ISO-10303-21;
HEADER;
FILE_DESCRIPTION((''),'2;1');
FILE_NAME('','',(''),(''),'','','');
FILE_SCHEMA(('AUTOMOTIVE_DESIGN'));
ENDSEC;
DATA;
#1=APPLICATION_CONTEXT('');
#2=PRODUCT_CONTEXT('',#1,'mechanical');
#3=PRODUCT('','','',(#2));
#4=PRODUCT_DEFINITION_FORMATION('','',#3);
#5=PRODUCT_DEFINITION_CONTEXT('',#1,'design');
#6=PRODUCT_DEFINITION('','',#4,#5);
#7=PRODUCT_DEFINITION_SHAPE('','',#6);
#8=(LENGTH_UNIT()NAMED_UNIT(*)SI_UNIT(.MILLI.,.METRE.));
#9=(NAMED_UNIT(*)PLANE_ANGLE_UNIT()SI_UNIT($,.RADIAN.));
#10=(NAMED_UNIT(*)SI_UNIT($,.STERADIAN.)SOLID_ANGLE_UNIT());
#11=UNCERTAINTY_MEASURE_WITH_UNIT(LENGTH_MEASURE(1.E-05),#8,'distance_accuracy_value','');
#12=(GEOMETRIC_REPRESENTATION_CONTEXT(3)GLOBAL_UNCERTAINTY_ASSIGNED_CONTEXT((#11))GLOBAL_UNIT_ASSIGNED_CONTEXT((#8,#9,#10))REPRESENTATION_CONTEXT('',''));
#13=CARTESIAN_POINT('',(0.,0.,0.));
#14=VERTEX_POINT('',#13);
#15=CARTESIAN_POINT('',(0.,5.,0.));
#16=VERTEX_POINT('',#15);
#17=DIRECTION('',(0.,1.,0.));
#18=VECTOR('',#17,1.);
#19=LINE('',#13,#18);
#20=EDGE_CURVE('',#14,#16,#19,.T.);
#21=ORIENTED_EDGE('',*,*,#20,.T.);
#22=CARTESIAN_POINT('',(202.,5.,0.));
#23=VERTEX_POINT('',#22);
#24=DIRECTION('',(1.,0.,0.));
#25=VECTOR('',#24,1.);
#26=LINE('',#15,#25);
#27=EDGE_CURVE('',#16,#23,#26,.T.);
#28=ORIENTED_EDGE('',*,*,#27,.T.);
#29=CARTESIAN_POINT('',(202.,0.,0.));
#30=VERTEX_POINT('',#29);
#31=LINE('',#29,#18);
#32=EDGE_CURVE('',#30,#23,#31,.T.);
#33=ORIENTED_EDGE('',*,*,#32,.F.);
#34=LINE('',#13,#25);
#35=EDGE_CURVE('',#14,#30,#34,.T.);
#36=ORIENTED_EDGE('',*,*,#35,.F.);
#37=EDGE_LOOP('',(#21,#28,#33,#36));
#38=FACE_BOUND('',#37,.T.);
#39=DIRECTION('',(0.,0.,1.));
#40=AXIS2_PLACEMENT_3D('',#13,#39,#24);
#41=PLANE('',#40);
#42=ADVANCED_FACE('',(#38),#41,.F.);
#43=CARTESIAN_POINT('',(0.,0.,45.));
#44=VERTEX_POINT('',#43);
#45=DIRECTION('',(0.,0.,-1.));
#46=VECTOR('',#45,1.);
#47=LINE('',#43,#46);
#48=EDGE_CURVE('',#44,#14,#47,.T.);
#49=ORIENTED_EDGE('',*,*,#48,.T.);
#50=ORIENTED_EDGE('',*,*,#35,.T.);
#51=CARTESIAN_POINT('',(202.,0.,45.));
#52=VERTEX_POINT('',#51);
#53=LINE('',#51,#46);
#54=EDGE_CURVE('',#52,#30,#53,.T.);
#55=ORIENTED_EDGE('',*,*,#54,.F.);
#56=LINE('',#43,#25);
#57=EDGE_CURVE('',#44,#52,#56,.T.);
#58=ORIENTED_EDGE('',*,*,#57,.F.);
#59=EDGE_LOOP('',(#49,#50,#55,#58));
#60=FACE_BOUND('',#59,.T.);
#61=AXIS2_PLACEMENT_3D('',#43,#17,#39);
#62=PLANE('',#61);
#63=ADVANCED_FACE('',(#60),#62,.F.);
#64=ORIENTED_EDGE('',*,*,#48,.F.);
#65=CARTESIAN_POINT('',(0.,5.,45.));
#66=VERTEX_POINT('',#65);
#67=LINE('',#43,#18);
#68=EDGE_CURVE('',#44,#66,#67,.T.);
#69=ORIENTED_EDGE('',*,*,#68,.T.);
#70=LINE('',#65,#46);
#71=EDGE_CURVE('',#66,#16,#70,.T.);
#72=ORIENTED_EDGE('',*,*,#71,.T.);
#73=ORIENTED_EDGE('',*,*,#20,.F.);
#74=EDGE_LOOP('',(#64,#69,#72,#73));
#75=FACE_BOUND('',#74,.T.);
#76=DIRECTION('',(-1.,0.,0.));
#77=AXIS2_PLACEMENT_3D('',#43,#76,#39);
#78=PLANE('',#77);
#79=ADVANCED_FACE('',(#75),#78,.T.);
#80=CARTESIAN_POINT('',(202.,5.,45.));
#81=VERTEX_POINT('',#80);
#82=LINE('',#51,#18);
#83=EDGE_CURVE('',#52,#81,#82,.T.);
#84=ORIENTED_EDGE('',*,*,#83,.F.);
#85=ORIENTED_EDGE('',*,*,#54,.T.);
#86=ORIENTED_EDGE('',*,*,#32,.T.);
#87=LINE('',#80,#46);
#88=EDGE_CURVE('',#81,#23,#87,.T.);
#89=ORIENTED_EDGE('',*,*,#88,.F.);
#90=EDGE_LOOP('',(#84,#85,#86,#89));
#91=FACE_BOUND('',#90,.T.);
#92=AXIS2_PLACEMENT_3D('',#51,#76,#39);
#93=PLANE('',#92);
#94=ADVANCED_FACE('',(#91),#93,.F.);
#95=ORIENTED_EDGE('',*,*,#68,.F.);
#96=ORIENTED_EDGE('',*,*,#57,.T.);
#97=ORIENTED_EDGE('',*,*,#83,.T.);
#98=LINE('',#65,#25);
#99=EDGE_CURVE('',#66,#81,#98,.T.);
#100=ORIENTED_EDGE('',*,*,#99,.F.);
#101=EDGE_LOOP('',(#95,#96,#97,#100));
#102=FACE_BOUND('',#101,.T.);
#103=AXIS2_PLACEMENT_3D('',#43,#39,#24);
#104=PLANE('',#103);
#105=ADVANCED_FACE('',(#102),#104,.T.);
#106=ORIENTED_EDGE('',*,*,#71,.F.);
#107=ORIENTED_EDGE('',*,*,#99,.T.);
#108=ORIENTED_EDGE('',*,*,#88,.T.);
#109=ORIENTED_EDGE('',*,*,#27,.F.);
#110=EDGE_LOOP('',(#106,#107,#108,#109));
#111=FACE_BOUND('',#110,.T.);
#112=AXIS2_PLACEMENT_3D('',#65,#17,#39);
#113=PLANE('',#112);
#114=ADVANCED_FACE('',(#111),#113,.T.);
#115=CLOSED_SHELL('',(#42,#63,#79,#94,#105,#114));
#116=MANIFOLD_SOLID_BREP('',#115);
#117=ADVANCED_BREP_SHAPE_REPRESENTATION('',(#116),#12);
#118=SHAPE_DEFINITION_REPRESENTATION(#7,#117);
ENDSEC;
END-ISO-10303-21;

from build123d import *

# Parameters (mm, degrees)
ESQUISSE1_W        = 202
ESQUISSE1_H        = 5
BOSS_EXTRU_1_DEPTH = 45


with BuildPart() as part:
    # Esquisse1 → Boss.-Extru.1 (new body)
    with BuildSketch(Plane.XY):
        with Locations((101, 2.5)):
            Rectangle(ESQUISSE1_W, ESQUISSE1_H)
    extrude(amount=BOSS_EXTRU_1_DEPTH)


solid = part.part
